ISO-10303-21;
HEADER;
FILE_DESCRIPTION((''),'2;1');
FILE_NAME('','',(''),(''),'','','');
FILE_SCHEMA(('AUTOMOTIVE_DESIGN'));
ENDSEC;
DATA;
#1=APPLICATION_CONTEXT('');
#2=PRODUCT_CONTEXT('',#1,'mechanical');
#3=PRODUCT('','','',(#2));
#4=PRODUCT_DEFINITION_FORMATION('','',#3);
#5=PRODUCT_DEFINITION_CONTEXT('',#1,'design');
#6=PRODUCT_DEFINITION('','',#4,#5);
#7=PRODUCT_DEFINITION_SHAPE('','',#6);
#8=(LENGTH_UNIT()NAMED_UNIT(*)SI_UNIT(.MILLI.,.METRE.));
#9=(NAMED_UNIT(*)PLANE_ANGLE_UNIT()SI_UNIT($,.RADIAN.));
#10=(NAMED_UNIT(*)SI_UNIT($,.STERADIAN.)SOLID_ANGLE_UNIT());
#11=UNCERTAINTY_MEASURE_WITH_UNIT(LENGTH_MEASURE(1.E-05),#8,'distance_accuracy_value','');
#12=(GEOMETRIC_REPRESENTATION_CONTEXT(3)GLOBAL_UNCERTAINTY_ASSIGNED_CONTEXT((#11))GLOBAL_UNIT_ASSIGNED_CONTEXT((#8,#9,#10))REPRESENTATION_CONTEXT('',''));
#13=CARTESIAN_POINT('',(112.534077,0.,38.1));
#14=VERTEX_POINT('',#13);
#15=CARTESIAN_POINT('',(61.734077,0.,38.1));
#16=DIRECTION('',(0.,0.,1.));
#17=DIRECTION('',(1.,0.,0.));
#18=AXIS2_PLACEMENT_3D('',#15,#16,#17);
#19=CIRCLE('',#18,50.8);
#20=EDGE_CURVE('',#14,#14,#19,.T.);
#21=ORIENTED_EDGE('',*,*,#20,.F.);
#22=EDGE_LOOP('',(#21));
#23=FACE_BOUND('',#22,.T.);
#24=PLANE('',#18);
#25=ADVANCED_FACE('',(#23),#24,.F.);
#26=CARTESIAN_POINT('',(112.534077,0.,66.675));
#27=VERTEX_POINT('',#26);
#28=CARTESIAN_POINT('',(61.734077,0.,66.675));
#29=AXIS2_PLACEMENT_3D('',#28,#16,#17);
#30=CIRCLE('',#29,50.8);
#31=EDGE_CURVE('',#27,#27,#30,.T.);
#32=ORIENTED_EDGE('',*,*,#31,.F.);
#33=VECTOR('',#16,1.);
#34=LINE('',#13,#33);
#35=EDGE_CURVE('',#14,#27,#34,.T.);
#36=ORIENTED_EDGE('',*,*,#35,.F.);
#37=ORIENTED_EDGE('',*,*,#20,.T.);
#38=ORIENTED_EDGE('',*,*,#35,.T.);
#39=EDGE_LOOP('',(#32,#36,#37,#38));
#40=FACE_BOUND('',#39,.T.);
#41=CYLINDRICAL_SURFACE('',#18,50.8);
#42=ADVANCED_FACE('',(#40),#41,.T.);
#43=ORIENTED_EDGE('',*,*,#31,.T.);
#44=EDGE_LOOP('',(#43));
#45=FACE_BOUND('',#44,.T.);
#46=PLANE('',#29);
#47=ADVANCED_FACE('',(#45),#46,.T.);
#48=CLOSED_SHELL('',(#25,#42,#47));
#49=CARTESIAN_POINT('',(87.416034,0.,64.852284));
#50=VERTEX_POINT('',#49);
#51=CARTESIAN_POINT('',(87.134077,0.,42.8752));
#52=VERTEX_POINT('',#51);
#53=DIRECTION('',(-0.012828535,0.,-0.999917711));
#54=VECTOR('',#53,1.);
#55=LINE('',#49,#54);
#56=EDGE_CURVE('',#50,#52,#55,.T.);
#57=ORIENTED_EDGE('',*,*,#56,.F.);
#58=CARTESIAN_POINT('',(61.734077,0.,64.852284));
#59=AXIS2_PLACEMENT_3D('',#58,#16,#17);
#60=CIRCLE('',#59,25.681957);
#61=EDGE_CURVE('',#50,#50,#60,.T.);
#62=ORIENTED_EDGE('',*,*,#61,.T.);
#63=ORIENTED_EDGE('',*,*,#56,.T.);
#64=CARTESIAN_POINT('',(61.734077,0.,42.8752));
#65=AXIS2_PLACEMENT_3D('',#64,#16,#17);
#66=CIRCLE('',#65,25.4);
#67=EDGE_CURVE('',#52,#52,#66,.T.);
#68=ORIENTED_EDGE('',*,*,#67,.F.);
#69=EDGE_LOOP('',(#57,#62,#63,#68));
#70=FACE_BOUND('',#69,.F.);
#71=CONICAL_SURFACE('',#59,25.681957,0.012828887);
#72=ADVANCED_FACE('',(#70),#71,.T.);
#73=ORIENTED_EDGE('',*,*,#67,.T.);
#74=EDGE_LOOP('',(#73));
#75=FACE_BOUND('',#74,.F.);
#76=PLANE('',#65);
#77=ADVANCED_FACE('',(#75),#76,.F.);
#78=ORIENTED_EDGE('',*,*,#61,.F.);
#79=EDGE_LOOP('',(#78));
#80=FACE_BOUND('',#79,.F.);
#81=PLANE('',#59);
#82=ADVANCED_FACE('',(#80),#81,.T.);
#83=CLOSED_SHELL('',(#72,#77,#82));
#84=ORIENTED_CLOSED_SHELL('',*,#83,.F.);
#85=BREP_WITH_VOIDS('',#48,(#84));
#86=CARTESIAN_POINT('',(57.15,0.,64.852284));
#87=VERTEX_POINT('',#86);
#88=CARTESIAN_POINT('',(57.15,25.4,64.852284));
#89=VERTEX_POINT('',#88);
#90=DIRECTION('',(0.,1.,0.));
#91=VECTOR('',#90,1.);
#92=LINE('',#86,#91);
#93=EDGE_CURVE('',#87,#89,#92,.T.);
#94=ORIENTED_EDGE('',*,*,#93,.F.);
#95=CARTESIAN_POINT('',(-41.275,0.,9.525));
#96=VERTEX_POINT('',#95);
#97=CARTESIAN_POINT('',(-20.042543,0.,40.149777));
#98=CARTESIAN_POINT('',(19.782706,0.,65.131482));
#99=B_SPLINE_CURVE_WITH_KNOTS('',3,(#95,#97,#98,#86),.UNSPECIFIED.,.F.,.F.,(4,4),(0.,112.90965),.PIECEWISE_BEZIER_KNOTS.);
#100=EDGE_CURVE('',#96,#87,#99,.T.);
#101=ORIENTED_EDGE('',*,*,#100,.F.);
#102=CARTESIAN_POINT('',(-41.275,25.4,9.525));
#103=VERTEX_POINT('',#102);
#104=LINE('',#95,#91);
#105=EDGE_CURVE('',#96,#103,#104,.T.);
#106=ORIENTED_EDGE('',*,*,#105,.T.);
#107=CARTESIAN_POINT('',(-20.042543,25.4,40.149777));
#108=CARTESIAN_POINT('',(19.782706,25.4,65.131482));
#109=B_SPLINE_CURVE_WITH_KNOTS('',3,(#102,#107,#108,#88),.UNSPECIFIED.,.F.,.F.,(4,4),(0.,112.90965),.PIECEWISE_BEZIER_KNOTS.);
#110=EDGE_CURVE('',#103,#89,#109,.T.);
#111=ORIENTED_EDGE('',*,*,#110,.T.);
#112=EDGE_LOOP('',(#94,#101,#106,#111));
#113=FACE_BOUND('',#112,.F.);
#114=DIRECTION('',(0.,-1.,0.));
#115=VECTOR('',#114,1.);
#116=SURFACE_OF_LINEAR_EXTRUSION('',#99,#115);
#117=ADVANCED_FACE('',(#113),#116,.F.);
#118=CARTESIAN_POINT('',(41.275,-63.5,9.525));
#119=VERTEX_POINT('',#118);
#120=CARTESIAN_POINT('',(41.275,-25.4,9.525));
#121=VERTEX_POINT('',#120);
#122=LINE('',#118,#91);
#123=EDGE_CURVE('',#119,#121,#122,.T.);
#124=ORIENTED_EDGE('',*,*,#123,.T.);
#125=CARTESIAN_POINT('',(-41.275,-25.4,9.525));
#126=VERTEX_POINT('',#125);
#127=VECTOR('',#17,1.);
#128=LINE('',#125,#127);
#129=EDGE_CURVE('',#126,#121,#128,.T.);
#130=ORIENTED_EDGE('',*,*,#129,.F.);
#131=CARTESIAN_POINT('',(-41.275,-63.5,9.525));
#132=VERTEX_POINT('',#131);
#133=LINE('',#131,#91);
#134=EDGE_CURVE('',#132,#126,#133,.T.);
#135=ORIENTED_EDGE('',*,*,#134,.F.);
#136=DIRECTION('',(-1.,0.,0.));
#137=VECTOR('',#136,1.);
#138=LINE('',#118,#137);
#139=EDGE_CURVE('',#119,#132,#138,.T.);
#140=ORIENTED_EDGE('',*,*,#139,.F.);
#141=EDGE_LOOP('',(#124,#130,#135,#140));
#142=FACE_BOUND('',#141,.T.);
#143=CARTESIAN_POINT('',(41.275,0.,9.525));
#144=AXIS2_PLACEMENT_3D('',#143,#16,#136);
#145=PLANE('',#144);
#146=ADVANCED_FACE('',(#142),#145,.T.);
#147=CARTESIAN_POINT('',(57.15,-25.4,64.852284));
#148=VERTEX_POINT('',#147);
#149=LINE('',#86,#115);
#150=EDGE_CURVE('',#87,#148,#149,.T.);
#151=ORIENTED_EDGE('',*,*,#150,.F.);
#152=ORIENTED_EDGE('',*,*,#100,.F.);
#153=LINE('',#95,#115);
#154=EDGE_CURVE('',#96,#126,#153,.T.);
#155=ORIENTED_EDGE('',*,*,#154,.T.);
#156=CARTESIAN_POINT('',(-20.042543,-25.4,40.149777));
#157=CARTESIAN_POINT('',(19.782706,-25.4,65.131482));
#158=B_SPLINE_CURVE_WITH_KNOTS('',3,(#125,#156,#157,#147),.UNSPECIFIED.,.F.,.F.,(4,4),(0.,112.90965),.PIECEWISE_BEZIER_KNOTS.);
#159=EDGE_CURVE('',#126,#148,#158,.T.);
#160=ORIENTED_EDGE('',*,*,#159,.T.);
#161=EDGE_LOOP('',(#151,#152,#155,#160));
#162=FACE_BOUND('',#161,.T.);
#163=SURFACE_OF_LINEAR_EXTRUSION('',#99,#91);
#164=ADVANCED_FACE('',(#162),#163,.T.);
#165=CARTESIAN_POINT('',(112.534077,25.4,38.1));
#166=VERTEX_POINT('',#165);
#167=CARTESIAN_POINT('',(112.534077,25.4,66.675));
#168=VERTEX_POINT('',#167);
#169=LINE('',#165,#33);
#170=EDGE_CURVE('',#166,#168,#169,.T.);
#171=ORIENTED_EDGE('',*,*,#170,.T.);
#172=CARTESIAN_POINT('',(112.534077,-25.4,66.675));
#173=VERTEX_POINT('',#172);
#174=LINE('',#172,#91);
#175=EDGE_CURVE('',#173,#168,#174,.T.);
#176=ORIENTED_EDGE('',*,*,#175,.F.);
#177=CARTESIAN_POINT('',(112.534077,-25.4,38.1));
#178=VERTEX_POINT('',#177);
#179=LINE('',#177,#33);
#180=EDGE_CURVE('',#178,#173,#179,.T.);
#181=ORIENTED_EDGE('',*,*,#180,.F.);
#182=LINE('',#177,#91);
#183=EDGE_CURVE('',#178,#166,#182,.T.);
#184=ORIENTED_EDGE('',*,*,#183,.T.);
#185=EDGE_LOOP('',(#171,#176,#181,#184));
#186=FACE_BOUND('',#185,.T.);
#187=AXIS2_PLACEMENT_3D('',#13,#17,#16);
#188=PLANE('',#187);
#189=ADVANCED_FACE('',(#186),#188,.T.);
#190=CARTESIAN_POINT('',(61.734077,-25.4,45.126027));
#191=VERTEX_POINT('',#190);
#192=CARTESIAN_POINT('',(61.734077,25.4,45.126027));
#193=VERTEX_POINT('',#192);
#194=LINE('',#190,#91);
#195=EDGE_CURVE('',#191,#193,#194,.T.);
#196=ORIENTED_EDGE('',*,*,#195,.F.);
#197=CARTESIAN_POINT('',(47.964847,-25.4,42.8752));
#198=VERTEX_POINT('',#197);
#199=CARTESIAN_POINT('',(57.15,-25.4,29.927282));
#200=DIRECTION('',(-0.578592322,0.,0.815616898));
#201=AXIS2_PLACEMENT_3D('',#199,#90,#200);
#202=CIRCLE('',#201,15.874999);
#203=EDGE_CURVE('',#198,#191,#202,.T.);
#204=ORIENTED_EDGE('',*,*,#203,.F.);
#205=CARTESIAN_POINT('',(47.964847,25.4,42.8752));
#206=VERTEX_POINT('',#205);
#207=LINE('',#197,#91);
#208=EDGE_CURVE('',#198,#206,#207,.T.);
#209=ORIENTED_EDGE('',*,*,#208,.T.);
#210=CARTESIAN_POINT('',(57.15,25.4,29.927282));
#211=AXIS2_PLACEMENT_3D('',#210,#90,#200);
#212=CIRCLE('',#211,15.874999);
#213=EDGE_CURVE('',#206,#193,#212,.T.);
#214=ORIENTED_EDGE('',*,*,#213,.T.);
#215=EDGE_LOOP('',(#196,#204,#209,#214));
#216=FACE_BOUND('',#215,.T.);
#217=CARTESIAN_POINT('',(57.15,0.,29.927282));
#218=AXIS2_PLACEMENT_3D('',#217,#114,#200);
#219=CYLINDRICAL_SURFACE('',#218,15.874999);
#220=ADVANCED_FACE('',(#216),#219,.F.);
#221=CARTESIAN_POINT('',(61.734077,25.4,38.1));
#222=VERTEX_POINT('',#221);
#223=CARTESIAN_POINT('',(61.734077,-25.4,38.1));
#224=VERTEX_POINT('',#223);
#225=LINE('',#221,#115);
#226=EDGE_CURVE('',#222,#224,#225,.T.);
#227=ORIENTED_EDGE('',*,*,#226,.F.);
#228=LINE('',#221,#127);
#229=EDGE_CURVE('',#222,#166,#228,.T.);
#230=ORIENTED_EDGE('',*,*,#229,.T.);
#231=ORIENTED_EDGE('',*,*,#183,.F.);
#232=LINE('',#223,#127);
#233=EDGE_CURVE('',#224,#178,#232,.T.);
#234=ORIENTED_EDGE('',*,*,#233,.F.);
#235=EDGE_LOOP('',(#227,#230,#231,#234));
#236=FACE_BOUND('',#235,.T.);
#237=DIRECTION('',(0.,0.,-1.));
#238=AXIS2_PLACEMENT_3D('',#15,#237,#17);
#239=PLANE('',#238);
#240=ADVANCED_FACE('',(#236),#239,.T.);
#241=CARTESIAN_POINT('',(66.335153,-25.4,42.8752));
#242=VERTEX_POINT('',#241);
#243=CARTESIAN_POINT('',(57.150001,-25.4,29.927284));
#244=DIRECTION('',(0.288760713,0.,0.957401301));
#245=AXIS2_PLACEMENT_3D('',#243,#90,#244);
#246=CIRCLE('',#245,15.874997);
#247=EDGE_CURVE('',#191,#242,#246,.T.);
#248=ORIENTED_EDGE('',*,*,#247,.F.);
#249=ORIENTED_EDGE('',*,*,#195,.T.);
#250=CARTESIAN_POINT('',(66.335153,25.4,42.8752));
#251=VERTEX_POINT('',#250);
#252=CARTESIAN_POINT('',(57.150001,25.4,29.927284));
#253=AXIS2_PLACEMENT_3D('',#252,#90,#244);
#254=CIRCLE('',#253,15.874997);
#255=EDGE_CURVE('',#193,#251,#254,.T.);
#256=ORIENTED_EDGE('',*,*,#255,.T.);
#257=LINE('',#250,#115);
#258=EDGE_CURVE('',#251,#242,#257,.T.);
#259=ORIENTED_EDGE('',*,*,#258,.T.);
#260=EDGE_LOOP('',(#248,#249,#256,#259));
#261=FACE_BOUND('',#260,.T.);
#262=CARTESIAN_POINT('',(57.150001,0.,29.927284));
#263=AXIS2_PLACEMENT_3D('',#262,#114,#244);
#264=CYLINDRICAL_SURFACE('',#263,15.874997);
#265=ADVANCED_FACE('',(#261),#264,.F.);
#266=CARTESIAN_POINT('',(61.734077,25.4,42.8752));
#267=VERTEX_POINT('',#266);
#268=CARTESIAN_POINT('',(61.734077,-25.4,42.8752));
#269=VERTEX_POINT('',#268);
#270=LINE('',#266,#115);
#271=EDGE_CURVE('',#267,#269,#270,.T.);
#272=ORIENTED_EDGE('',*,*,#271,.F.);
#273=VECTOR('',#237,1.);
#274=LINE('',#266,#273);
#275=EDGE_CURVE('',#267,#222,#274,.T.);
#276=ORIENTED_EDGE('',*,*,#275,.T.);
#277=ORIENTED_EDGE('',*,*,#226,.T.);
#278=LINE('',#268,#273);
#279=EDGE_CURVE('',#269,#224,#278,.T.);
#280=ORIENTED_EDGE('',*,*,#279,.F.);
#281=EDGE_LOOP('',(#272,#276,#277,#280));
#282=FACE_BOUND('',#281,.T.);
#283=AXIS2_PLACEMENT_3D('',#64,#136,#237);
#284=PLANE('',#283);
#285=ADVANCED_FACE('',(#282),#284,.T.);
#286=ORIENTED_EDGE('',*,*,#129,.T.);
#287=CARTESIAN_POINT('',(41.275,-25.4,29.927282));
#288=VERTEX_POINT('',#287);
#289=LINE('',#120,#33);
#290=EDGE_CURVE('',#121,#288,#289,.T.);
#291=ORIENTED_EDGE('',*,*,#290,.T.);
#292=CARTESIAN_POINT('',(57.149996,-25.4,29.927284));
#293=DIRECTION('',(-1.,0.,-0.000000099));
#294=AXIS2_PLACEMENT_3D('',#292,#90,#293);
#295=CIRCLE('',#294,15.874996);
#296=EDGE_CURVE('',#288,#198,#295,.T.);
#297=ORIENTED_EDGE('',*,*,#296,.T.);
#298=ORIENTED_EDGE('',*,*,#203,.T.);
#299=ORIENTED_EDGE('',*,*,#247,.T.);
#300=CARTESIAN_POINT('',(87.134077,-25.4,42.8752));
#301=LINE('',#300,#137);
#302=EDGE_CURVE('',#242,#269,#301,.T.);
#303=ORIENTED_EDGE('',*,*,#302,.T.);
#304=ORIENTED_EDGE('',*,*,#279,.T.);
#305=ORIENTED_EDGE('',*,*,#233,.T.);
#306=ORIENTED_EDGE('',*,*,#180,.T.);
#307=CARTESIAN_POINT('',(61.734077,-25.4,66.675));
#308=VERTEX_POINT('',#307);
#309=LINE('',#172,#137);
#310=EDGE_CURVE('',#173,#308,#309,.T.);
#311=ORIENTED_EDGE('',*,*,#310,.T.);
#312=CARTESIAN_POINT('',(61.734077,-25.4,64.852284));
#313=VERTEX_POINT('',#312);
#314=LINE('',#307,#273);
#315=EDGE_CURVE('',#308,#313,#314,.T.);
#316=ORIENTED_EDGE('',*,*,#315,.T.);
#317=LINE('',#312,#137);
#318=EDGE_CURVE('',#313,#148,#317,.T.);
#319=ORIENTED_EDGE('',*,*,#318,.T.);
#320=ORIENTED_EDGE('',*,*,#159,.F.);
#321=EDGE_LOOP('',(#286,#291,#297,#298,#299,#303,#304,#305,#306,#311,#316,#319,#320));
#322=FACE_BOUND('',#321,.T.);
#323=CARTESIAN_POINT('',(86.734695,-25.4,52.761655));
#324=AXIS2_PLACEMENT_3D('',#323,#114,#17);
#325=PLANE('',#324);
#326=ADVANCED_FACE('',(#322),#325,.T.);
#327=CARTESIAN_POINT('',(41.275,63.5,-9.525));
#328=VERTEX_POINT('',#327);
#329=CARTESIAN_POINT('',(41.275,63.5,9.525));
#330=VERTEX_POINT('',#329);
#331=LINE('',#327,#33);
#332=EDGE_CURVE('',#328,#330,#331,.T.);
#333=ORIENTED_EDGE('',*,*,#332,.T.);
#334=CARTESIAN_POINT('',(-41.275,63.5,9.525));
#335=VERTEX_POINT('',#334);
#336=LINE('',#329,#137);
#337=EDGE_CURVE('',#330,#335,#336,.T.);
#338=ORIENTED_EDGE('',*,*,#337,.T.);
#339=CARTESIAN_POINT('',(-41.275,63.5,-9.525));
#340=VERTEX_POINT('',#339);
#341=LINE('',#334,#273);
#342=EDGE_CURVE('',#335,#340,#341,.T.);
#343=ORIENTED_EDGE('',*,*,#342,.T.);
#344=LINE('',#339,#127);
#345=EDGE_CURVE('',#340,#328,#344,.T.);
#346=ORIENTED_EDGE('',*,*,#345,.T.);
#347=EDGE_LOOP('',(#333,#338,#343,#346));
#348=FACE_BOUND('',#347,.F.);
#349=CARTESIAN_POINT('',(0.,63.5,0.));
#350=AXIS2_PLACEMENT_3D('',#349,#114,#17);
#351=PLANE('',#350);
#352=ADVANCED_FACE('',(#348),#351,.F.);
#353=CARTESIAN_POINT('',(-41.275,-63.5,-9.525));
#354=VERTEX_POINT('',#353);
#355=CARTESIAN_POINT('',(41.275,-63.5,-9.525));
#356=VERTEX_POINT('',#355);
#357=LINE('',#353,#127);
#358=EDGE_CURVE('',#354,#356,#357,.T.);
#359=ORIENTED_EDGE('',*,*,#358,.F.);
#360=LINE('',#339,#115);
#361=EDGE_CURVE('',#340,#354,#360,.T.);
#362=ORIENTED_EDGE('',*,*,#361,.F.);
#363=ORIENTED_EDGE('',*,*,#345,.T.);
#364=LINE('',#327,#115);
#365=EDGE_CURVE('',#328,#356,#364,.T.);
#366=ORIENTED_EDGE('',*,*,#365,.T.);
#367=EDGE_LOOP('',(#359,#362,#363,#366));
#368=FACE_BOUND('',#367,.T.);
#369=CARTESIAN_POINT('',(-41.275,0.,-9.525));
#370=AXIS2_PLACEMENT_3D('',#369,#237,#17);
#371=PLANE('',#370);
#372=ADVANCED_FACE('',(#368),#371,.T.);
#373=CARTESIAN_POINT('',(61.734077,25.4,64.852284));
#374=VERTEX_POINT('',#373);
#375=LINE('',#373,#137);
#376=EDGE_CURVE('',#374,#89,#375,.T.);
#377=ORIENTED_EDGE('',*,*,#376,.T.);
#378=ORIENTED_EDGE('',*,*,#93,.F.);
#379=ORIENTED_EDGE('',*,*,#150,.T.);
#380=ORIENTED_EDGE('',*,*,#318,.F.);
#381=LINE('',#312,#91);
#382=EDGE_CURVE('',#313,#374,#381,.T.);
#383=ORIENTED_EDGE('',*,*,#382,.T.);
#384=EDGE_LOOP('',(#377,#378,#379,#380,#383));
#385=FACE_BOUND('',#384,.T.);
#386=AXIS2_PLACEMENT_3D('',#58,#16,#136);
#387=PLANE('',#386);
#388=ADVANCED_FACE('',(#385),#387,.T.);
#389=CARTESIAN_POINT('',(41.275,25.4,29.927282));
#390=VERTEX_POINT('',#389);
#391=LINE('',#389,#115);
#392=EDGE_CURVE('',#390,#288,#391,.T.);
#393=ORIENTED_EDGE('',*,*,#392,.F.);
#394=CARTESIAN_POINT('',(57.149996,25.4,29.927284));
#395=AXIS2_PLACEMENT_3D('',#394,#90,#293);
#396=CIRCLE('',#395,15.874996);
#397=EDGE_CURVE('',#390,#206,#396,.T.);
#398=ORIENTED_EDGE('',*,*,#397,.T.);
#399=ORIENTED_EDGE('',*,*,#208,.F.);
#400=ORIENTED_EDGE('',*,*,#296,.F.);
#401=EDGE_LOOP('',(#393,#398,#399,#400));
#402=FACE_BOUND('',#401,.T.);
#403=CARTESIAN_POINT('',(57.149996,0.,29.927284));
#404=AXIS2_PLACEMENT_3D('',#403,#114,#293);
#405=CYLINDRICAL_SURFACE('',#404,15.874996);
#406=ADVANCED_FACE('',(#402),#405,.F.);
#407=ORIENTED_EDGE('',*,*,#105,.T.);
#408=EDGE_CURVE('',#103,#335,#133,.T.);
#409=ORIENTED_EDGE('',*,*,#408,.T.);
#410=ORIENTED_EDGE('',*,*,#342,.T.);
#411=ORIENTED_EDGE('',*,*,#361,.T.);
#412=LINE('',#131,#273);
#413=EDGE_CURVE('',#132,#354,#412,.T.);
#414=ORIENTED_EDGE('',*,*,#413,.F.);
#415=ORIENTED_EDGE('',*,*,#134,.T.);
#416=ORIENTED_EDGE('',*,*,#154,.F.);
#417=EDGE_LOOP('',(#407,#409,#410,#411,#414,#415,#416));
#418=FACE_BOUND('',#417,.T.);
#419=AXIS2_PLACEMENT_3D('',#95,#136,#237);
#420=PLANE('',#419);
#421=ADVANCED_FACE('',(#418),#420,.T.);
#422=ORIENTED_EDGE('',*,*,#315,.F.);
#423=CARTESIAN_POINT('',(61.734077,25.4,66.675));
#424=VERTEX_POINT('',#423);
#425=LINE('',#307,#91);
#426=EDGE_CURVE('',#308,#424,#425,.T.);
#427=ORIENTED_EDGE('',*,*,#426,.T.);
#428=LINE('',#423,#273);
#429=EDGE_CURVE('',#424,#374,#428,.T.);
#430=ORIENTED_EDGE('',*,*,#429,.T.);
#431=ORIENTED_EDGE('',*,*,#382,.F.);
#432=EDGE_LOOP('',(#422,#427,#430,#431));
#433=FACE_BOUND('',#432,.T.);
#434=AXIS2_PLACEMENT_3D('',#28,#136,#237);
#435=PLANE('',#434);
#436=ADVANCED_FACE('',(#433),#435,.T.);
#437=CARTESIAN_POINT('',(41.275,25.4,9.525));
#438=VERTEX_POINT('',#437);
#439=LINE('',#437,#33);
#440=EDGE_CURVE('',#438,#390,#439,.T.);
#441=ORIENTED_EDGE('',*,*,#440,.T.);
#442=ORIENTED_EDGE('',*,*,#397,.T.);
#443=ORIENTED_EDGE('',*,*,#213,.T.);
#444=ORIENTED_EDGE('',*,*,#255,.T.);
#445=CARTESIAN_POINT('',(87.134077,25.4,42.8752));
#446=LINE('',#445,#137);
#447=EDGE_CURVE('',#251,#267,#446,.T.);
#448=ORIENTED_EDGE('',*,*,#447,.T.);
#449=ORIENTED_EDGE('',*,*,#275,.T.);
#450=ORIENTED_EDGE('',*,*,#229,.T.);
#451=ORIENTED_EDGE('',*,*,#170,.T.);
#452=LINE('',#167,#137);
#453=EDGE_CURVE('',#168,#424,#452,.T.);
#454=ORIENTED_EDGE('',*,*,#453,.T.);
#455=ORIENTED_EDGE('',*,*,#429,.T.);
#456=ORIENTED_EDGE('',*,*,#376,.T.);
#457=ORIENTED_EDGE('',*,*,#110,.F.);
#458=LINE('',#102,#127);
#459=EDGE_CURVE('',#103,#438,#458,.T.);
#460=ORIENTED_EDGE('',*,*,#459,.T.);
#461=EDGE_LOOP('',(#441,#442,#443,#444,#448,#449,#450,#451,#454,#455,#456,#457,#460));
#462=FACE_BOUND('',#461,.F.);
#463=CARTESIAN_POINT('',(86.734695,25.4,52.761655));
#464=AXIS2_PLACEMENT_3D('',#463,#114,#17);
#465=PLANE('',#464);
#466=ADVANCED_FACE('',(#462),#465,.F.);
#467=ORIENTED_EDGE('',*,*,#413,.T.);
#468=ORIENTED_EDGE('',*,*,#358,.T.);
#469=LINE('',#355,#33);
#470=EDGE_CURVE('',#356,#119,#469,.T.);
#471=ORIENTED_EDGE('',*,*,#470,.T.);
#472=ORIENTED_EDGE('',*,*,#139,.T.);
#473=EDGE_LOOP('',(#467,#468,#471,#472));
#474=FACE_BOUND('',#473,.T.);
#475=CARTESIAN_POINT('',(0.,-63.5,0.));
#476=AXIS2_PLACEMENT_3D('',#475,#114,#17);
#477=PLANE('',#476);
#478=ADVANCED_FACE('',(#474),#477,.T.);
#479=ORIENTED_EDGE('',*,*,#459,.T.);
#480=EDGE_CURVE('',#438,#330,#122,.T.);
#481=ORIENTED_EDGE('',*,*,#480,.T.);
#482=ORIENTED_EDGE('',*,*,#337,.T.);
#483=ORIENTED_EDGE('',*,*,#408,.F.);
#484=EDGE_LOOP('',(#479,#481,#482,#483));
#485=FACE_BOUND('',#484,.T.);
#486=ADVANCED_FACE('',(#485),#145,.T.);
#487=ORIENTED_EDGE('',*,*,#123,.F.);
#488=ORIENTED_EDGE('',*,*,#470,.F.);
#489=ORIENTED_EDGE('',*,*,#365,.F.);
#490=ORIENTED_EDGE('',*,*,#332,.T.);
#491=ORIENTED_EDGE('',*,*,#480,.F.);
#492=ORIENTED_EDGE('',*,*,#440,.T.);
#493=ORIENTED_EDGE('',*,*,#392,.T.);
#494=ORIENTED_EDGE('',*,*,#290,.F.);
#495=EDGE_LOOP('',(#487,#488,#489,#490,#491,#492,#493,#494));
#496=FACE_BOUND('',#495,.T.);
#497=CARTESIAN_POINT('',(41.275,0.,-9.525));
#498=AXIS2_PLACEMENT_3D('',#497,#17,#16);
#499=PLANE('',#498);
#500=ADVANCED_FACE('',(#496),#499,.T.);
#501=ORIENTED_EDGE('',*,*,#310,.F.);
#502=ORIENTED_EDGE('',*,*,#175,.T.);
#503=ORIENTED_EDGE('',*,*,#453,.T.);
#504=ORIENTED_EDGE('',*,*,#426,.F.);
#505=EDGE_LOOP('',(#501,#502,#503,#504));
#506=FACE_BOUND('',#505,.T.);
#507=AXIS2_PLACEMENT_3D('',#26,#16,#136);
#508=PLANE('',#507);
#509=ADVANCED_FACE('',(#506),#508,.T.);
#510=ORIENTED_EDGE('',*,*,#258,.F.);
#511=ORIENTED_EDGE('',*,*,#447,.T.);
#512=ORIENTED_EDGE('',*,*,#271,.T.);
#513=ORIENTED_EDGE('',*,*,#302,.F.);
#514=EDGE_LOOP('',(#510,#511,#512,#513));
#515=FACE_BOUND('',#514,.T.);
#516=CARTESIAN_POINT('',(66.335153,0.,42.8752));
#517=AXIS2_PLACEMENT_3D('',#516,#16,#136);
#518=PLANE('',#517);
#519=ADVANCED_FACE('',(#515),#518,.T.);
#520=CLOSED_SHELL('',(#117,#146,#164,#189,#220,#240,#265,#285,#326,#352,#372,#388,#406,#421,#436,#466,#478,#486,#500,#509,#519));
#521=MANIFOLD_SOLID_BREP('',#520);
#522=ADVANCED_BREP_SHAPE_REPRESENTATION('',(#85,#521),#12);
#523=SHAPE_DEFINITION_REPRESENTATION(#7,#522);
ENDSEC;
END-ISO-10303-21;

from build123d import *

# Parameters (mm, degrees)
F1_DEPTH = 63.5
F2_DEPTH = 25.4
F3_DEPTH = 25.4


with BuildPart() as f1:
    # F0 (on Front) → F1 (new body, symmetric)
    with BuildSketch(Plane.XZ):
        Polygon((-41.275, 9.525), (-41.275, -9.525), (41.275, -9.525), (41.275, 9.525), (22.225, 9.525), align=None)
    extrude(amount=F1_DEPTH, both=True)

    # F0 (on Front) → F2 (join, symmetric)
    with BuildSketch(Plane.XZ):
        with BuildLine():
            add(Edge.make_bspline(
                [(-41.275, 9.525), (-20.042543, 40.149777), (19.782706, 65.131482), (57.15, 64.852284)],
                knots=[0, 0, 0, 0, 112.90965, 112.90965, 112.90965, 112.90965], degree=3))
            Line((-41.275, 9.525), (22.225, 9.525))
            Line((22.225, 9.525), (41.275, 9.525))
            Line((41.275, 9.525), (41.275, 29.927282))
            ThreePointArc((41.275, 29.927282), (43.046278, 37.214302), (47.964847, 42.8752))
            ThreePointArc((47.964847, 42.8752), (54.588939, 45.594336), (61.734077, 45.126027))
            Line((61.734077, 45.126027), (61.734077, 64.852284))
            Line((61.734077, 64.852284), (57.15, 64.852284))
        make_face()
    extrude(amount=F2_DEPTH, both=True)

    # F0 (on Front) → F3 (join, symmetric)
    with BuildSketch(Plane.XZ):
        Polygon((61.734077, 66.675), (61.734077, 64.852284), (87.416034, 64.852284), (87.134077, 42.8752), (66.335153, 42.8752), (61.734077, 42.8752), (61.734077, 38.1), (112.534077, 38.1), (112.534077, 66.675), align=None)
        with BuildLine():
            Line((87.416034, 64.852284), (61.734077, 64.852284))
            Line((61.734077, 64.852284), (61.734077, 45.126027))
            ThreePointArc((61.734077, 45.126027), (64.125993, 44.187406), (66.335153, 42.8752))
            Line((66.335153, 42.8752), (87.134077, 42.8752))
            Line((87.134077, 42.8752), (87.416034, 64.852284))
        make_face()
    extrude(amount=F3_DEPTH, both=True)


with BuildPart() as f4:
    # F0 (on Front) → F4 (revolve)
    with BuildSketch(Plane.XZ):
        Polygon((61.734077, 66.675), (61.734077, 64.852284), (87.416034, 64.852284), (87.134077, 42.8752), (66.335153, 42.8752), (61.734077, 42.8752), (61.734077, 38.1), (112.534077, 38.1), (112.534077, 66.675), align=None)
    revolve(axis=Axis((61.734077, 0, 52.3875), (0, 0, 1)))


solid = Compound([f1.part, f4.part])
